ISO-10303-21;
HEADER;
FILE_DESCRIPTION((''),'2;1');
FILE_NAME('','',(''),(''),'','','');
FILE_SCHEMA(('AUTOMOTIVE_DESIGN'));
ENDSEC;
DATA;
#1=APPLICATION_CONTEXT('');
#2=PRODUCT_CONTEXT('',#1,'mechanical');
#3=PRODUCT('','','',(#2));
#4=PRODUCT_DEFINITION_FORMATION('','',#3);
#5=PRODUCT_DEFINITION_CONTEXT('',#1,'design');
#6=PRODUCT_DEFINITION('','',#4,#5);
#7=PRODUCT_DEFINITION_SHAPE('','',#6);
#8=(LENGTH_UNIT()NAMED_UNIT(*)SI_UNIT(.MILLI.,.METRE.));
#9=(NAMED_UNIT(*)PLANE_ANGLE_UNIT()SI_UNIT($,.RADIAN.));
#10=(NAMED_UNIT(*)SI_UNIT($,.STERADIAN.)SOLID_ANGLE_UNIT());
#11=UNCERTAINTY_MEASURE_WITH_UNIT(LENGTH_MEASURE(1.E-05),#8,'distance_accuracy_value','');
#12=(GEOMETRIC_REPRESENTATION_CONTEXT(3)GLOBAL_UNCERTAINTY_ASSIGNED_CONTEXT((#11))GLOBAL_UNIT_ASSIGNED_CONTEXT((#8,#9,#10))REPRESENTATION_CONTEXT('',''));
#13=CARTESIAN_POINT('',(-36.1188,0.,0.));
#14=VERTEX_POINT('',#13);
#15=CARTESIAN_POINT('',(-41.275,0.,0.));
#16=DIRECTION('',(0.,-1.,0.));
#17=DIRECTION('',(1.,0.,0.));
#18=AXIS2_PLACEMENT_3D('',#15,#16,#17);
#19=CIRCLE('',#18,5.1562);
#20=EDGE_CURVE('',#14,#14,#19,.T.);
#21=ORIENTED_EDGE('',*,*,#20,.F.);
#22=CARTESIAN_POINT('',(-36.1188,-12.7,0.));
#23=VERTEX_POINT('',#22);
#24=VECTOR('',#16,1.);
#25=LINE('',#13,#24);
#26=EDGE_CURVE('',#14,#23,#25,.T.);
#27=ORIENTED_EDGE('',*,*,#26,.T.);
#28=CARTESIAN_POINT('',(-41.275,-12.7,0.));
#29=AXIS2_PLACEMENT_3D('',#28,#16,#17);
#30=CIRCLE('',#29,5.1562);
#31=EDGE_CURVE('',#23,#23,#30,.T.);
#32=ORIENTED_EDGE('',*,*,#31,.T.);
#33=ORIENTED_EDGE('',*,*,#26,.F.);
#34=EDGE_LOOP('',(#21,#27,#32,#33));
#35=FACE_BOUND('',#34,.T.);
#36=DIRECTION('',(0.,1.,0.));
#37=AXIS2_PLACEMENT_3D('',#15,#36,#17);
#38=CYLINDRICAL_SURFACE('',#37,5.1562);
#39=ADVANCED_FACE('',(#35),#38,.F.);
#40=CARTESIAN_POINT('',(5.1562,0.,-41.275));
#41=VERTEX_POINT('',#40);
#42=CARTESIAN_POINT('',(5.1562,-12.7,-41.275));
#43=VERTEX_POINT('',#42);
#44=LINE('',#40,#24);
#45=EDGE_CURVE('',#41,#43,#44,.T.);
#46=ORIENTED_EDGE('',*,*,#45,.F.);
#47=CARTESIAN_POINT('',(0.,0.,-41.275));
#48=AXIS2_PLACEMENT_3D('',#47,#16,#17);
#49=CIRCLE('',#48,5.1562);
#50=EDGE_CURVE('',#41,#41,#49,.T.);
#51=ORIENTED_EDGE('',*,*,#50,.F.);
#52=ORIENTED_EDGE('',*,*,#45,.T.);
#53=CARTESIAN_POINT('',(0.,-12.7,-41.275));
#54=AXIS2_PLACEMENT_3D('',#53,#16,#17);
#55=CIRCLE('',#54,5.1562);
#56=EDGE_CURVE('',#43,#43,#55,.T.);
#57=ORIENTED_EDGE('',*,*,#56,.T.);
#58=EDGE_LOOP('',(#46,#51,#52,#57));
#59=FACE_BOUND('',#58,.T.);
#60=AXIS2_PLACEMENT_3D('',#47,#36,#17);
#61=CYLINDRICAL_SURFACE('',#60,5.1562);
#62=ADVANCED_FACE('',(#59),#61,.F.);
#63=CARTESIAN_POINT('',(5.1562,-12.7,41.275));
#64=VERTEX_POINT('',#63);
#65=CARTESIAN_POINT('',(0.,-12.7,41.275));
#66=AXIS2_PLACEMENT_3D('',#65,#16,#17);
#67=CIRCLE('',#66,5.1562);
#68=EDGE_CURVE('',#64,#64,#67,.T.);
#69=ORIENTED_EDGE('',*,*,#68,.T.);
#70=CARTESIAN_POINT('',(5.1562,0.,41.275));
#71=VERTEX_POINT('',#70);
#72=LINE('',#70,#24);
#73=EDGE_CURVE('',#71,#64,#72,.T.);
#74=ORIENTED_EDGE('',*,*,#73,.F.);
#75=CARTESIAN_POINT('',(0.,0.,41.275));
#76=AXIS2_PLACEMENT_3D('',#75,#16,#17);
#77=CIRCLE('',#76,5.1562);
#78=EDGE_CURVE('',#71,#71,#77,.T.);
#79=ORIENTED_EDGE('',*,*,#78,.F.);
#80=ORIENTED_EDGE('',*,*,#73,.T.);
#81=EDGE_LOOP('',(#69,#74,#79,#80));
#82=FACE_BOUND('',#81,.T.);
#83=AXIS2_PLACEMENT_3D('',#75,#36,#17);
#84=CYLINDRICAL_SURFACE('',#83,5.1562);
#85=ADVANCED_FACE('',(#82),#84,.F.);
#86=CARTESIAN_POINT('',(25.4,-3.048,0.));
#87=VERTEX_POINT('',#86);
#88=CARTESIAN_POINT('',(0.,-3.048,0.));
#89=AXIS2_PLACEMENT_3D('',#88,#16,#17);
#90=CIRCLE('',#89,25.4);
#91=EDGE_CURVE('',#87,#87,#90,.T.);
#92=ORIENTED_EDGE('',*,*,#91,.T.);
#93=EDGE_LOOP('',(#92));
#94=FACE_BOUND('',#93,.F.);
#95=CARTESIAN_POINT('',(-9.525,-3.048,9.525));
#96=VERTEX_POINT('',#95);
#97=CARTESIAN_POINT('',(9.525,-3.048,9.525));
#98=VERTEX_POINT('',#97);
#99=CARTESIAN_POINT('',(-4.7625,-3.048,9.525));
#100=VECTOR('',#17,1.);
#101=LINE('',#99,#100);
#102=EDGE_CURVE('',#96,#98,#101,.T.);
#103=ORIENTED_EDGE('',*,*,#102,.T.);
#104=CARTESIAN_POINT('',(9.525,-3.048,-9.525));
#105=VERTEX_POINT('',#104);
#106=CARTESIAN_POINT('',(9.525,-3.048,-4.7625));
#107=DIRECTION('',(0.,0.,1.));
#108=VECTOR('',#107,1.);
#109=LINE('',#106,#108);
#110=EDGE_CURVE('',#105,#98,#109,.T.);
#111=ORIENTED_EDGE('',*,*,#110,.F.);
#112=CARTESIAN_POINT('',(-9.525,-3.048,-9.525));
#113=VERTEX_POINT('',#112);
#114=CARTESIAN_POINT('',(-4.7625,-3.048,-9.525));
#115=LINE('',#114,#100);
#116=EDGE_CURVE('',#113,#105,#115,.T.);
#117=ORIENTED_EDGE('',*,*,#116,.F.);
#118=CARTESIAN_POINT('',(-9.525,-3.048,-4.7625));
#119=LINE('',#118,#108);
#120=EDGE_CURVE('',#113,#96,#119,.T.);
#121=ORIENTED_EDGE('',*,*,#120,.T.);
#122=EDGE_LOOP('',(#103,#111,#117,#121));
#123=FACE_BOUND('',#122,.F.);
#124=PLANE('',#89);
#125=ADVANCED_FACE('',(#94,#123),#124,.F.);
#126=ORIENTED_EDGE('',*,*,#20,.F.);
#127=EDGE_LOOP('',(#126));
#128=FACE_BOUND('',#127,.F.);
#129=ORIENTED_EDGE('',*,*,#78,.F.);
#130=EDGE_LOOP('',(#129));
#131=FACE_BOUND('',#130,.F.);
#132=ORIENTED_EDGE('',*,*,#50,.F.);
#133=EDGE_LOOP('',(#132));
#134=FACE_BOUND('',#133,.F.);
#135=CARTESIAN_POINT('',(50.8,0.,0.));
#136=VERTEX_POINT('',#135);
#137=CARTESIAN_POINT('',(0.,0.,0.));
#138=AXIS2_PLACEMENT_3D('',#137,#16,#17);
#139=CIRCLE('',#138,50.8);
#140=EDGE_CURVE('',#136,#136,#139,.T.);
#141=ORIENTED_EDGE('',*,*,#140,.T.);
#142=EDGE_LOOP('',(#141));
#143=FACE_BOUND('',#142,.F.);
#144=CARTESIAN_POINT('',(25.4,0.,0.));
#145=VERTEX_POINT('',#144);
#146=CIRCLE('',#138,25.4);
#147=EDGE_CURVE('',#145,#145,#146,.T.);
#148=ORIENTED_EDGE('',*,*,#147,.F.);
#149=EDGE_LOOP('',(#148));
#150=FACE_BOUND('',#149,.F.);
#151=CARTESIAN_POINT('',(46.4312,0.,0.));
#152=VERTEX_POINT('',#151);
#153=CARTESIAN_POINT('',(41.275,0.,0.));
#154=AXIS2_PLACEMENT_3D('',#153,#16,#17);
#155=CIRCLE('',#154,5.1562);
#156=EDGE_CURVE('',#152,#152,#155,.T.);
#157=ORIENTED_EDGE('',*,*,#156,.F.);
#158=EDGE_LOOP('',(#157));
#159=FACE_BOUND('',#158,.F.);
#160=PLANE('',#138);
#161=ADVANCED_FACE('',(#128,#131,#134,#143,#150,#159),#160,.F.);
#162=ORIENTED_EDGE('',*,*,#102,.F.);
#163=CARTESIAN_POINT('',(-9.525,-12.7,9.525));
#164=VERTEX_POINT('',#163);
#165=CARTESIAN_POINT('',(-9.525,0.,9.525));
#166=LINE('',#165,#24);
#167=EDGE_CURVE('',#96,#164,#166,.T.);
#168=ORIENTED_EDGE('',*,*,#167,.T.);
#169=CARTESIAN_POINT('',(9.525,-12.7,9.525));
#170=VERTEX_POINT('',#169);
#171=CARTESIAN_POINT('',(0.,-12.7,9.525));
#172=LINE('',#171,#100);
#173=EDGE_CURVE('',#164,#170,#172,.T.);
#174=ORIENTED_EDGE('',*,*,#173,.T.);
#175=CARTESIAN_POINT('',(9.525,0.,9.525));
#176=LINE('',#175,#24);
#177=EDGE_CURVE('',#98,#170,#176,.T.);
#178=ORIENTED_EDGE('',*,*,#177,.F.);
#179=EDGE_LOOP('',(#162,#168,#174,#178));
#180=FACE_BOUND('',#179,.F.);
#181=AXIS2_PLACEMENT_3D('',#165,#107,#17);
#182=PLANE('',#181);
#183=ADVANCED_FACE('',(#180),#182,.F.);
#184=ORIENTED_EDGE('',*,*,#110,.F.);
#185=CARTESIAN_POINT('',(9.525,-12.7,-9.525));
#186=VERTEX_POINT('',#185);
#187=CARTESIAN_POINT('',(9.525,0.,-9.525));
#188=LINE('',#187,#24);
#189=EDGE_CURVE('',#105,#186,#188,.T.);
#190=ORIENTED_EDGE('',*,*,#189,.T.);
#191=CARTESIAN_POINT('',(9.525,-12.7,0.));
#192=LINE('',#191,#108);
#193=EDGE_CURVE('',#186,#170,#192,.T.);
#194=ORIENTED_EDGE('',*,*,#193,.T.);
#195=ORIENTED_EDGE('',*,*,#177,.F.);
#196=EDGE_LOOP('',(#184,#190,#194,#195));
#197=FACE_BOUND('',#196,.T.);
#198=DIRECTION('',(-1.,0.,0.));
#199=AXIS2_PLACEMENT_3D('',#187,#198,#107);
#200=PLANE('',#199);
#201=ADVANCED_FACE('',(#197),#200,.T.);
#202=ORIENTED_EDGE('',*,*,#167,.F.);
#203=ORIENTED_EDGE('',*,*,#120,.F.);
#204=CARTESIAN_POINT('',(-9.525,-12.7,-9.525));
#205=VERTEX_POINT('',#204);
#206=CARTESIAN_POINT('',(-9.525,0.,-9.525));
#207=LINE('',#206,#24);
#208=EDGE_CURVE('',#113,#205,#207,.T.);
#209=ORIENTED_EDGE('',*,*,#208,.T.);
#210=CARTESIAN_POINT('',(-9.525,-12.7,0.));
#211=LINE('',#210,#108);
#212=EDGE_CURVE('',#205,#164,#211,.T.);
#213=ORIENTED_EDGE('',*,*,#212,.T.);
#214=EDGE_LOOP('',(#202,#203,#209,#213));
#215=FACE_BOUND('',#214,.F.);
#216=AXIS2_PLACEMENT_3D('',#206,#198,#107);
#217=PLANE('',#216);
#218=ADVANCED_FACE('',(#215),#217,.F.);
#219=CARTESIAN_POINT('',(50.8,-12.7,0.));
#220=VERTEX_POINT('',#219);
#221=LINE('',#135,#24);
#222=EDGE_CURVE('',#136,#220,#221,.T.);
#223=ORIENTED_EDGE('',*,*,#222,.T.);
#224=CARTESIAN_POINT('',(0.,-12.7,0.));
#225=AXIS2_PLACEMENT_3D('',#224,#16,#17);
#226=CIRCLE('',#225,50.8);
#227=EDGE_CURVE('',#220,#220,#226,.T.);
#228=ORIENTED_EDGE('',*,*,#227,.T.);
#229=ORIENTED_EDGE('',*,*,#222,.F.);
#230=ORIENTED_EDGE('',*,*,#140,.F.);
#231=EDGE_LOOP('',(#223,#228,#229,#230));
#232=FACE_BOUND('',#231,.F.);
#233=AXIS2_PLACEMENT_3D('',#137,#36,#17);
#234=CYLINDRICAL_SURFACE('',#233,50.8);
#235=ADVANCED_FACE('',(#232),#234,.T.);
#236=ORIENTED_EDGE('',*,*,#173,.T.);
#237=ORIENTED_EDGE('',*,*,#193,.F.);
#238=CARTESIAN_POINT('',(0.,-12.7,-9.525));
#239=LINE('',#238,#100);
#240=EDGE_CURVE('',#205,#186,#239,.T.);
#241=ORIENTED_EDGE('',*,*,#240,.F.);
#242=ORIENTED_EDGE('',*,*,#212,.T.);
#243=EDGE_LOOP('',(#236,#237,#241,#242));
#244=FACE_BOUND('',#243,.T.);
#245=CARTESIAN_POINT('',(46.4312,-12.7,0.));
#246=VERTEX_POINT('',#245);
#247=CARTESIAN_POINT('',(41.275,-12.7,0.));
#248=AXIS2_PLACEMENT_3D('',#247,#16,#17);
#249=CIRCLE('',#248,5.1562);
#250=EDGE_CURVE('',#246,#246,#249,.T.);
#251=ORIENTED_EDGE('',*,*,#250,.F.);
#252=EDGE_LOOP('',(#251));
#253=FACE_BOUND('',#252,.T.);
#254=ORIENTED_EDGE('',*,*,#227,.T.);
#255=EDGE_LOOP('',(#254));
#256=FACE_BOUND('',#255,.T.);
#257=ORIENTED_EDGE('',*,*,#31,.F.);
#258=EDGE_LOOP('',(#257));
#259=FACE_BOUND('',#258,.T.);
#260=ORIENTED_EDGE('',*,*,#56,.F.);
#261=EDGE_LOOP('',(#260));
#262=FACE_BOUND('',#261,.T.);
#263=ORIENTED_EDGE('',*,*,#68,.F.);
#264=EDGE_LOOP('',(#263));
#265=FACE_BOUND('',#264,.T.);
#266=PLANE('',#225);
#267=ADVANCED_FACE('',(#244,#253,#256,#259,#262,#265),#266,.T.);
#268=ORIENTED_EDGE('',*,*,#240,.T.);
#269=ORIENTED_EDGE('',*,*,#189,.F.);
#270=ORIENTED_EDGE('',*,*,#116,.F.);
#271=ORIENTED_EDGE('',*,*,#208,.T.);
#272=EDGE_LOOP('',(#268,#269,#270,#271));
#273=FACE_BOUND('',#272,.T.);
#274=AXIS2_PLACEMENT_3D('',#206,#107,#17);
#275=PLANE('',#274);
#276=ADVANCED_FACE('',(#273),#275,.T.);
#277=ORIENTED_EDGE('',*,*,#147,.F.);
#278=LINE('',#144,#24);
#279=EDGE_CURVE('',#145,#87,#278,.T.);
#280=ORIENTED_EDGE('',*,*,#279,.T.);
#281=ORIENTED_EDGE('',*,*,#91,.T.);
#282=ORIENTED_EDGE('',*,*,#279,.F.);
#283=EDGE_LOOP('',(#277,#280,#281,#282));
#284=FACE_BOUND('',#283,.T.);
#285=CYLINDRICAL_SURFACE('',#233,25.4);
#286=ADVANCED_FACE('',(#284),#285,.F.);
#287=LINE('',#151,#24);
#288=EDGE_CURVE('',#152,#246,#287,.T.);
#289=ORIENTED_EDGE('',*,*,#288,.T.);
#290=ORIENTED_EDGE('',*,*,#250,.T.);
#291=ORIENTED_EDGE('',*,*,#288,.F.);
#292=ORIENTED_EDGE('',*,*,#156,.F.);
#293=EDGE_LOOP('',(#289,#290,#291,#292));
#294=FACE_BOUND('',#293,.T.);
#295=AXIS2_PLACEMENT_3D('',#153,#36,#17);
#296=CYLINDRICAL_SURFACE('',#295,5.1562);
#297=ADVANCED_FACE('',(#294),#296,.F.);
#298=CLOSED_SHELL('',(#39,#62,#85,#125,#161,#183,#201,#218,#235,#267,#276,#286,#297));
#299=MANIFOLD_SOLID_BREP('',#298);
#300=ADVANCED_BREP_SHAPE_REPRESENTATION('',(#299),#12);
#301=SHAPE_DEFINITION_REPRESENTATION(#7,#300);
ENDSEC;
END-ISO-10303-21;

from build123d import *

# Parameters (mm, degrees)
F0_R     = 50.8
F0_R_2   = 5.1562
F0_W     = 19.05
F0_H     = 19.05
F1_DEPTH = 12.7
F2_R     = 25.4
F3_DEPTH = 3.048


with BuildPart() as f1:
    # F0 (on Front) → F1 (new body)
    with BuildSketch(Plane.XZ):
        Circle(F0_R)
        with Locations((0, -41.275)):
            Circle(F0_R_2, mode=Mode.SUBTRACT)
        with Locations((-41.275, 0)):
            Circle(F0_R_2, mode=Mode.SUBTRACT)
        Rectangle(F0_W, F0_H, mode=Mode.SUBTRACT)
        with Locations((41.275, 0)):
            Circle(F0_R_2, mode=Mode.SUBTRACT)
        with Locations((0, 41.275)):
            Circle(F0_R_2, mode=Mode.SUBTRACT)
    extrude(amount=F1_DEPTH)

    # F2 (on Front) → F3 (cut)
    with BuildSketch(Plane.XZ):
        Circle(F2_R)
    extrude(amount=F3_DEPTH, mode=Mode.SUBTRACT)


solid = f1.part
